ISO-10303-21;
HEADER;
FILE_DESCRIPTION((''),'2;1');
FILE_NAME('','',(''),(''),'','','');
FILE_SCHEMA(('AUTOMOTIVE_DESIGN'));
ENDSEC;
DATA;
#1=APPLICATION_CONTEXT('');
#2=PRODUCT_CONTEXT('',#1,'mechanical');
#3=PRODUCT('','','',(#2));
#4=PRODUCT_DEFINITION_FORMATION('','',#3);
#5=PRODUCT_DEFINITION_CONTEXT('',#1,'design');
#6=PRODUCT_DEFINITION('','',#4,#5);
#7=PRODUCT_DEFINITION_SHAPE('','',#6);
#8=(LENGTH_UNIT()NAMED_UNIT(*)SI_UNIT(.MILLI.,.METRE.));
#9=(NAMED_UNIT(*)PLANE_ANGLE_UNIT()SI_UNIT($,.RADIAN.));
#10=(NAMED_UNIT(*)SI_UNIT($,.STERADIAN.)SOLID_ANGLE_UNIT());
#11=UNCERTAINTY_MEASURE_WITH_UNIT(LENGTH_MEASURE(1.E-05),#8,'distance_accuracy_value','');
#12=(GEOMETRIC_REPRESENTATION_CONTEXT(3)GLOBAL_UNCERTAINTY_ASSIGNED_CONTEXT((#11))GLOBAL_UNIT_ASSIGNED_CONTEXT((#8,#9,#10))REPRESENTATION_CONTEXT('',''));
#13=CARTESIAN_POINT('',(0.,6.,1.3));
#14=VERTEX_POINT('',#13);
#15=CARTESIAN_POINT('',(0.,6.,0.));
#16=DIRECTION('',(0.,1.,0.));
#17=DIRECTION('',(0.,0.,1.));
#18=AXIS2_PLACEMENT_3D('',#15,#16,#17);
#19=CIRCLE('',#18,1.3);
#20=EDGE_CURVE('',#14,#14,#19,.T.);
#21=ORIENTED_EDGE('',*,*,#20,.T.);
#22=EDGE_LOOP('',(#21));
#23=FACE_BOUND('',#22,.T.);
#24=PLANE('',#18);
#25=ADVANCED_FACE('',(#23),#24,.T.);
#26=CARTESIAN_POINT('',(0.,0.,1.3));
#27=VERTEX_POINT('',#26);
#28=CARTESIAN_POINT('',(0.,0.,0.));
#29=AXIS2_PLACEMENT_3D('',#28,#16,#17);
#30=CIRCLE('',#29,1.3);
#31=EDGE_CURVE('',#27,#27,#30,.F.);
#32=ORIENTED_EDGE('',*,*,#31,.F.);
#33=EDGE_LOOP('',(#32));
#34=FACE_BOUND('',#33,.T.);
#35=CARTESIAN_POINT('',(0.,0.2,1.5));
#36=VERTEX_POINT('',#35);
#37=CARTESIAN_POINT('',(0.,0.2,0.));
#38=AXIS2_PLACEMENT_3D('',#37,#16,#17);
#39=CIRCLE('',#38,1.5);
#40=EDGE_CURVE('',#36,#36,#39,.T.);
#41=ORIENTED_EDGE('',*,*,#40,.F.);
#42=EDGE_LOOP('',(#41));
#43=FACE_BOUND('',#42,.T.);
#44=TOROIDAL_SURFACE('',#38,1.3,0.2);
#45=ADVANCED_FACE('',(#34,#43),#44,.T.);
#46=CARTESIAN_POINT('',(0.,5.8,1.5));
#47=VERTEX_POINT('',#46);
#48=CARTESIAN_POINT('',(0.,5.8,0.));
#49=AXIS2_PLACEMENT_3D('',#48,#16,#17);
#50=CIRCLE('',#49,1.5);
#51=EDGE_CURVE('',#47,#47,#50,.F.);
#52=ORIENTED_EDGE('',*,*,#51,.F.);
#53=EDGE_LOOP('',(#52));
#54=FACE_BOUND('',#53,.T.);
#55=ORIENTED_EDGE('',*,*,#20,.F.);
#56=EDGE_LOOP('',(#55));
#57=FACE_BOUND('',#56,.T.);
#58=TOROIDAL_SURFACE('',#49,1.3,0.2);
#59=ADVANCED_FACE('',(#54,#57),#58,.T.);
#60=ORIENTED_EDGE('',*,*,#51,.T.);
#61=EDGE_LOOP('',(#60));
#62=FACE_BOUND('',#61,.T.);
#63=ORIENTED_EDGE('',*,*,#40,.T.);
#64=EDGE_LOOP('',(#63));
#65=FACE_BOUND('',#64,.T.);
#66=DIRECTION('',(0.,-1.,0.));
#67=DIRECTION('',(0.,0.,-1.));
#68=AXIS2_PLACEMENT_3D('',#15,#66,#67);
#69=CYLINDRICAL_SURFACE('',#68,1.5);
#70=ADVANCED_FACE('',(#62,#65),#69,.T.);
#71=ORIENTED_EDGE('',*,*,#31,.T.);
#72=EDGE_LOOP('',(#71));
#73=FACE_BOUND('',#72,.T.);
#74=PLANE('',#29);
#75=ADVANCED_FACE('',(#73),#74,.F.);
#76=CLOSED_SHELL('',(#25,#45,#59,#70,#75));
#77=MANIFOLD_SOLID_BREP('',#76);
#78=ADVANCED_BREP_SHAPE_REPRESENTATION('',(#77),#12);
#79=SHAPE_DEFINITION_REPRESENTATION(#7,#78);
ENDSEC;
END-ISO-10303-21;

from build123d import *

# Parameters (mm, degrees)
ESQUISSE1_R        = 1.5
BOSS_EXTRU_1_DEPTH = 6
CONG_1_R           = 0.2


with BuildPart() as part:
    # Esquisse1 → Boss.-Extru.1 (new body)
    with BuildSketch(Plane(origin=(0, 0, 0), x_dir=(1, 0, 0), z_dir=(0, 1, 0))):
        Circle(ESQUISSE1_R)
    extrude(amount=BOSS_EXTRU_1_DEPTH)

    # Congé1
    cong_1_edges = [part.edges().sort_by_distance(p)[0] for p in [
        (-1.5, 0, 0),
        (-1.5, 6, 0),
    ]]
    fillet(cong_1_edges, radius=CONG_1_R)


solid = part.part
